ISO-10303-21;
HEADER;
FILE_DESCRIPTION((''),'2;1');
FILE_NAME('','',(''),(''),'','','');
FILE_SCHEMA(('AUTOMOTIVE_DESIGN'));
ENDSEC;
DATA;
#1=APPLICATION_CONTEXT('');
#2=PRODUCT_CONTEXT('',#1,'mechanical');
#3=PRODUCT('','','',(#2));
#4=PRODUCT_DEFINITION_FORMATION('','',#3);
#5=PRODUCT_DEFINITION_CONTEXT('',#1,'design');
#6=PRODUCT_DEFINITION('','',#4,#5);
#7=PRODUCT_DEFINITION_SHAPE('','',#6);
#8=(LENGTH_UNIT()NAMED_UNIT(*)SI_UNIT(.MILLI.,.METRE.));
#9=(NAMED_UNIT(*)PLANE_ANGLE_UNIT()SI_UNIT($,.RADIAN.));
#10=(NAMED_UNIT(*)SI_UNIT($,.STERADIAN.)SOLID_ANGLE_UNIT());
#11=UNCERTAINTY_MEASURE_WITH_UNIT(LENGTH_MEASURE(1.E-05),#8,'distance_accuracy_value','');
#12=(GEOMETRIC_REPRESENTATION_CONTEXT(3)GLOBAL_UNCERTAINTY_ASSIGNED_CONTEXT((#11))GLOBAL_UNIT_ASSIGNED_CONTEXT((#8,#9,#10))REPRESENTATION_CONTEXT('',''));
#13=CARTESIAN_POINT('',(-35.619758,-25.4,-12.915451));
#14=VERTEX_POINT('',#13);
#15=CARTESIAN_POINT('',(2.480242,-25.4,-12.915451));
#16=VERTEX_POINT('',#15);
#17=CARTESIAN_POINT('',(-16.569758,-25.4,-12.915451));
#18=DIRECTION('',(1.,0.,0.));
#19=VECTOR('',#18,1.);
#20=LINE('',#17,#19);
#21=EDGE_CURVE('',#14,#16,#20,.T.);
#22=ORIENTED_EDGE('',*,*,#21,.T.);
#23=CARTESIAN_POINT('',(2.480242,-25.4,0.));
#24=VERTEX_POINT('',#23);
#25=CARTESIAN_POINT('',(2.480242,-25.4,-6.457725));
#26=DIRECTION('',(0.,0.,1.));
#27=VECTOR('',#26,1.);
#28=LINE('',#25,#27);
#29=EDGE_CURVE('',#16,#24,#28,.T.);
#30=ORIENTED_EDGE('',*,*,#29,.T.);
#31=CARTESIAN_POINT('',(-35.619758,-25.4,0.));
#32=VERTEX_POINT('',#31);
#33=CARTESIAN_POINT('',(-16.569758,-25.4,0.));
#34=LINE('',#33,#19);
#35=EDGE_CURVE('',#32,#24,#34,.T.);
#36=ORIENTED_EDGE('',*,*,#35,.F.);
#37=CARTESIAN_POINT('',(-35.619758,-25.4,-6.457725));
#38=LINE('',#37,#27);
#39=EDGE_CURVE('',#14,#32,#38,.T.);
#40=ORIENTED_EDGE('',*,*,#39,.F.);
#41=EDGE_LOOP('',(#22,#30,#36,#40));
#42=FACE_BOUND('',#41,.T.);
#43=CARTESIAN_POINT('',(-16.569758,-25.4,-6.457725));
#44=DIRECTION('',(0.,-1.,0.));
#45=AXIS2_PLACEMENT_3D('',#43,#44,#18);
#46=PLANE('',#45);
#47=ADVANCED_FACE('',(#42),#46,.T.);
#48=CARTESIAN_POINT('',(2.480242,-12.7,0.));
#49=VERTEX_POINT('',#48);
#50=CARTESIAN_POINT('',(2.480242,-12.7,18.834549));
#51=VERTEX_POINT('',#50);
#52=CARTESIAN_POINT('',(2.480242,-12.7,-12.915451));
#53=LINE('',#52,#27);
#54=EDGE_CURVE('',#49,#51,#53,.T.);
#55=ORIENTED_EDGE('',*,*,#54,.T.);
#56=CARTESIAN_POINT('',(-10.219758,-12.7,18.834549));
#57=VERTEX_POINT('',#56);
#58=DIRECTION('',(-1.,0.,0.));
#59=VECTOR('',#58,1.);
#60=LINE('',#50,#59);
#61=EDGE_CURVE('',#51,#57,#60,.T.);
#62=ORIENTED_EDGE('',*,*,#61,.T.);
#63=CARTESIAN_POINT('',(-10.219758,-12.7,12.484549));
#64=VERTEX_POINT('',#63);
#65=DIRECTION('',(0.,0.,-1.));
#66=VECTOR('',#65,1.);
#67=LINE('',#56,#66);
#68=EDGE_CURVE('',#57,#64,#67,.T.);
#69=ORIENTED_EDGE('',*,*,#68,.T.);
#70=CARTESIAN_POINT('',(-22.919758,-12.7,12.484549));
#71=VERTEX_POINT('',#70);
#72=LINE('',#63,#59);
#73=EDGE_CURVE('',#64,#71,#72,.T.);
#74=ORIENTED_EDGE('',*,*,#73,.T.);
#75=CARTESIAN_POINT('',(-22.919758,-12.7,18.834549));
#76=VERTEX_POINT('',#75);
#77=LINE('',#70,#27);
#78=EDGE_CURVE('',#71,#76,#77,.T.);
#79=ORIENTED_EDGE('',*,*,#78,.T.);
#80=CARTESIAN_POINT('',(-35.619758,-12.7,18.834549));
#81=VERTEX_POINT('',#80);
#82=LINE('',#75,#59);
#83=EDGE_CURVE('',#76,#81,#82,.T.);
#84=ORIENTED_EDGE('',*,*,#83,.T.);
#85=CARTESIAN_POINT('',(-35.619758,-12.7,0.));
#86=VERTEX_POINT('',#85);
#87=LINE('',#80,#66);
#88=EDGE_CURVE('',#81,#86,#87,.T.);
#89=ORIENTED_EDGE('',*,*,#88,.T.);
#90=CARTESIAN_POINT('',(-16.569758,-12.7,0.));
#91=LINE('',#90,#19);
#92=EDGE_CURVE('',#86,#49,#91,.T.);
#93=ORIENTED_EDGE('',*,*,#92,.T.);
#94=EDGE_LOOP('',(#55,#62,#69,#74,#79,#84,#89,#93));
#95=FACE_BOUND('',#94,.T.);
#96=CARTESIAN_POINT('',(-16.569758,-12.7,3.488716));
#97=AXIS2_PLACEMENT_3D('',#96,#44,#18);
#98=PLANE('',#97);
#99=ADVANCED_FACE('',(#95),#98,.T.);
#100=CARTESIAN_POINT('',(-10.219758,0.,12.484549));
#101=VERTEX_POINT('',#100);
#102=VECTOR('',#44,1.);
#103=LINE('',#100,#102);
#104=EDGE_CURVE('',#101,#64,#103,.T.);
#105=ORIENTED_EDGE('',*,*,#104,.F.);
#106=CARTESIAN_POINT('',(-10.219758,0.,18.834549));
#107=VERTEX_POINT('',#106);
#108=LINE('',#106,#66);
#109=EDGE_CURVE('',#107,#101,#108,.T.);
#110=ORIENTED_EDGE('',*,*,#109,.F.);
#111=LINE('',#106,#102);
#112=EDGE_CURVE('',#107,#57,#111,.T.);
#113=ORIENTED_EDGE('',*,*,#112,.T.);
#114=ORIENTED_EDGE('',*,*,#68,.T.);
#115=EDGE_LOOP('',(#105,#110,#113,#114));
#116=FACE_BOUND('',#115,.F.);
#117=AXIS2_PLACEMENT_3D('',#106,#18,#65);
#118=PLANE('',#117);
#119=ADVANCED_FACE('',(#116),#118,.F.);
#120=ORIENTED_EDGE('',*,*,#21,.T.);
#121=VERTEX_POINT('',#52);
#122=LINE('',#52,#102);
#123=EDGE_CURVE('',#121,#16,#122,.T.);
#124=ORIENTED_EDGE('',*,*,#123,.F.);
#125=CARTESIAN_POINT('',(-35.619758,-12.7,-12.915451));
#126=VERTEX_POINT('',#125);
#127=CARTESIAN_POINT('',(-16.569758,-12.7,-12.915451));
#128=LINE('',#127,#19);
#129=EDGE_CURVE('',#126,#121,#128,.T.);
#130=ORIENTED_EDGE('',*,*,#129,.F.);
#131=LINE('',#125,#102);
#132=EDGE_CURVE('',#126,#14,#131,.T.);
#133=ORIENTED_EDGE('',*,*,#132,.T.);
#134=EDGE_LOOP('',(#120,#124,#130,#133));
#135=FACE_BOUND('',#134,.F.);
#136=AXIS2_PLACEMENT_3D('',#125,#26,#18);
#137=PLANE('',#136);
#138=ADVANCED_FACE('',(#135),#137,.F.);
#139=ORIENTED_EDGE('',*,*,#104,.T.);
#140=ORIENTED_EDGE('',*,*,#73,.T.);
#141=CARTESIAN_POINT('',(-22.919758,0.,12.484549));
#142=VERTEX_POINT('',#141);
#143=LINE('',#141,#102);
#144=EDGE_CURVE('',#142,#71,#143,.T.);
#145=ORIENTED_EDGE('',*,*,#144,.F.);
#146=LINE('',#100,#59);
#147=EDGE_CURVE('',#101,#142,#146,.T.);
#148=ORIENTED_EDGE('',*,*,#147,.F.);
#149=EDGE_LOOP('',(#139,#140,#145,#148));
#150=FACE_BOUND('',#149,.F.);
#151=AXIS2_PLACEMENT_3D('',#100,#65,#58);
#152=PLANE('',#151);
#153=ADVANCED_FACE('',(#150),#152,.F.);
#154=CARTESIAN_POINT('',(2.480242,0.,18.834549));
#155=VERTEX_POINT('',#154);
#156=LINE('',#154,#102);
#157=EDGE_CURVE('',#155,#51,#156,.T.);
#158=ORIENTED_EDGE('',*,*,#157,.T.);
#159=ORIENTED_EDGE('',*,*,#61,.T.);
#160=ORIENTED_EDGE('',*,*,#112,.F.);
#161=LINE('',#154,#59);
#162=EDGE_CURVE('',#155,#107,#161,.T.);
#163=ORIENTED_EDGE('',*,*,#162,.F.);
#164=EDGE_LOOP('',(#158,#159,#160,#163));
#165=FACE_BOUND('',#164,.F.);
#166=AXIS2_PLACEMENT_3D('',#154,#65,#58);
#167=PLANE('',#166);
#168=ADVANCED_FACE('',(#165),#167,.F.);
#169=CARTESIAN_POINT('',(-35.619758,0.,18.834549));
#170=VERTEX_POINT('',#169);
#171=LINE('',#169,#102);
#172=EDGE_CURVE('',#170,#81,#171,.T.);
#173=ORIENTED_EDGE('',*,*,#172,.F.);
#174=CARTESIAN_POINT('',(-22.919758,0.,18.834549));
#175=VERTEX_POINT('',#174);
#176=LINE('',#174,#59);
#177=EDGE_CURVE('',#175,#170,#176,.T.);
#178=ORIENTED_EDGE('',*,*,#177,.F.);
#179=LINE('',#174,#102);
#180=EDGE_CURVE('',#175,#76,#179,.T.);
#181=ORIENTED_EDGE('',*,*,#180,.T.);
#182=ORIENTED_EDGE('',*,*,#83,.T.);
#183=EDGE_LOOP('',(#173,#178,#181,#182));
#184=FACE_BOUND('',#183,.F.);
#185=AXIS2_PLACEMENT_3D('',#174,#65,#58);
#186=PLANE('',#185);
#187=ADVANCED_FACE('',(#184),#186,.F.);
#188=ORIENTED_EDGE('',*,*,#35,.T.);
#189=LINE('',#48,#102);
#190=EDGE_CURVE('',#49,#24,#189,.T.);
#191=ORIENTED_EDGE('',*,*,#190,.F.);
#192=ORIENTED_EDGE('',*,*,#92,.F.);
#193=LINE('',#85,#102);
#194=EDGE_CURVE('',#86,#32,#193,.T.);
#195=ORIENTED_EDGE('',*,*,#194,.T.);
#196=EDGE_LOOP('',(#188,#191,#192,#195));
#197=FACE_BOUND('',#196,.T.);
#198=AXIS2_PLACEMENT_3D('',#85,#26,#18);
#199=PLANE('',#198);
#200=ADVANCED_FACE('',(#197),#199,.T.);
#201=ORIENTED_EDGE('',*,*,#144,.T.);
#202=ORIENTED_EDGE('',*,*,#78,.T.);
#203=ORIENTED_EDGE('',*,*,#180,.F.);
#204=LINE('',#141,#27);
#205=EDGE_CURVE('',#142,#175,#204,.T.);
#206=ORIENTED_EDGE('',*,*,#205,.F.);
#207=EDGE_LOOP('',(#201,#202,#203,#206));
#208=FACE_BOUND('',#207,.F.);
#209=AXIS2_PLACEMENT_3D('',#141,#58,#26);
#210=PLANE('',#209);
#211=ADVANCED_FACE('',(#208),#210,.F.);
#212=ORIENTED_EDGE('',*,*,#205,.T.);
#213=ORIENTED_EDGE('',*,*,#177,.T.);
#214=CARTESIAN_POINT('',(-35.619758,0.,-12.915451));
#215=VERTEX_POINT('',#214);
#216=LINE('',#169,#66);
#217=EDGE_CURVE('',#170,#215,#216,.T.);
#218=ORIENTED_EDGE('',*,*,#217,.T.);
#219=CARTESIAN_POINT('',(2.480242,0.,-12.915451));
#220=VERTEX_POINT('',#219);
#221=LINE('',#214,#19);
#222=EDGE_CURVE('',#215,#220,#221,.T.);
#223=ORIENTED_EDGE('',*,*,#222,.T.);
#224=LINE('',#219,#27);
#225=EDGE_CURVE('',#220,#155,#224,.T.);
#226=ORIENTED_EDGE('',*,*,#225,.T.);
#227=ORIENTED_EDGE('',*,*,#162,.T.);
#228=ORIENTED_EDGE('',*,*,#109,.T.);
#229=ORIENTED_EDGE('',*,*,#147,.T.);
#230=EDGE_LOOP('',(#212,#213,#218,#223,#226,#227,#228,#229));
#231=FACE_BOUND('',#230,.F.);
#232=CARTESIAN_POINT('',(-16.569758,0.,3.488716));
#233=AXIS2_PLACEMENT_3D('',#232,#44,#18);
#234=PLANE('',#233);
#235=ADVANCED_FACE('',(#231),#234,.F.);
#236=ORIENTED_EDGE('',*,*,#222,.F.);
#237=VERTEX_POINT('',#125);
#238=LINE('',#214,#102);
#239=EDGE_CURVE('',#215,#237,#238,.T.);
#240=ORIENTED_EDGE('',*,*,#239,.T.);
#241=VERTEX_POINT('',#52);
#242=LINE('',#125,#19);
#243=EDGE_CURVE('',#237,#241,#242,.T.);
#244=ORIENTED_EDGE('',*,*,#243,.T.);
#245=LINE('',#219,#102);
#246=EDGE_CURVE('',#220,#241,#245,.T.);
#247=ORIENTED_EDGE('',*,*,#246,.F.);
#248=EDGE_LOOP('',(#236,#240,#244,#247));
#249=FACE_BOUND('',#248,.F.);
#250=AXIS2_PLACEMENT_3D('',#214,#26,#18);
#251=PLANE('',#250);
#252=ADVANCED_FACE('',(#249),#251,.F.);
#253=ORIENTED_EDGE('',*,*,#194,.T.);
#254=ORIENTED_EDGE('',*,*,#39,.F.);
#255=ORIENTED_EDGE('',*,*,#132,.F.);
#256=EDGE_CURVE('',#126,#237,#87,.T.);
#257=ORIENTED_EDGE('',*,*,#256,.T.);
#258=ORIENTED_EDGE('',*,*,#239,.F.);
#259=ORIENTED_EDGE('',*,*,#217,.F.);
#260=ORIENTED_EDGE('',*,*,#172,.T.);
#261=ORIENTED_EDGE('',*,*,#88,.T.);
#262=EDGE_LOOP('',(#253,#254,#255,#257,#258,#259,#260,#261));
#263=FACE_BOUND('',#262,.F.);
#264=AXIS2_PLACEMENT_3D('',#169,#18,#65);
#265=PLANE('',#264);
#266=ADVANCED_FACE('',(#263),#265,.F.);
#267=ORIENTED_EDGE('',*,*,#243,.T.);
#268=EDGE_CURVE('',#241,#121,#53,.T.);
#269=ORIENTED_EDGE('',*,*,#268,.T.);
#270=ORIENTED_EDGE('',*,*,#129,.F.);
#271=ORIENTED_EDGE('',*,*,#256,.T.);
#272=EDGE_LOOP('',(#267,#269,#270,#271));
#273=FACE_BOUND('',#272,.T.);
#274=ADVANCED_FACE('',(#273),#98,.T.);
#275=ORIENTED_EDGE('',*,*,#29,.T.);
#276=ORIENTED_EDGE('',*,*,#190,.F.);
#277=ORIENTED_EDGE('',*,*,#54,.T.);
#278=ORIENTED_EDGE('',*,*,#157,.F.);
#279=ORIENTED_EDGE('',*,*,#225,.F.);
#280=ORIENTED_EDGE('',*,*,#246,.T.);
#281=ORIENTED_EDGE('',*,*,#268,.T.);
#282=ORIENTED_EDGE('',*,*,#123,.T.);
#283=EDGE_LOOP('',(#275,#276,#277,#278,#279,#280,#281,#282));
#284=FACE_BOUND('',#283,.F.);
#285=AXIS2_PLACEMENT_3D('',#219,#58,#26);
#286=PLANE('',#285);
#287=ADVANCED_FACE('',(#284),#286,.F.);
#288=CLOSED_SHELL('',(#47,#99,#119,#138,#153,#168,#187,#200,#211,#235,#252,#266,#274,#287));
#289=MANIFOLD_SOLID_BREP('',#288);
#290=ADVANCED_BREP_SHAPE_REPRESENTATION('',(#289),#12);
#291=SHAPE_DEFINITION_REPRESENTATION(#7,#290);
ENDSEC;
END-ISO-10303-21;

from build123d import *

# Parameters (mm, degrees)
F1_DEPTH = 12.7
F2_W     = 38.1
F2_H     = 12.915451
F3_DEPTH = 12.7


with BuildPart() as f1:
    # F0 (on Front) → F1 (new body)
    with BuildSketch(Plane.XZ):
        Polygon((-22.919758, 18.834549), (-35.619758, 18.834549), (-35.619758, -12.915451), (2.480242, -12.915451), (2.480242, 18.834549), (-10.219758, 18.834549), (-10.219758, 12.484549), (-22.919758, 12.484549), align=None)
    extrude(amount=F1_DEPTH)

    # F2 (on face) → F3 (join)
    with BuildSketch(Plane.XZ.offset(12.7)):
        with Locations((-16.569758, -6.457725)):
            Rectangle(F2_W, F2_H)
    extrude(amount=F3_DEPTH)


solid = f1.part
